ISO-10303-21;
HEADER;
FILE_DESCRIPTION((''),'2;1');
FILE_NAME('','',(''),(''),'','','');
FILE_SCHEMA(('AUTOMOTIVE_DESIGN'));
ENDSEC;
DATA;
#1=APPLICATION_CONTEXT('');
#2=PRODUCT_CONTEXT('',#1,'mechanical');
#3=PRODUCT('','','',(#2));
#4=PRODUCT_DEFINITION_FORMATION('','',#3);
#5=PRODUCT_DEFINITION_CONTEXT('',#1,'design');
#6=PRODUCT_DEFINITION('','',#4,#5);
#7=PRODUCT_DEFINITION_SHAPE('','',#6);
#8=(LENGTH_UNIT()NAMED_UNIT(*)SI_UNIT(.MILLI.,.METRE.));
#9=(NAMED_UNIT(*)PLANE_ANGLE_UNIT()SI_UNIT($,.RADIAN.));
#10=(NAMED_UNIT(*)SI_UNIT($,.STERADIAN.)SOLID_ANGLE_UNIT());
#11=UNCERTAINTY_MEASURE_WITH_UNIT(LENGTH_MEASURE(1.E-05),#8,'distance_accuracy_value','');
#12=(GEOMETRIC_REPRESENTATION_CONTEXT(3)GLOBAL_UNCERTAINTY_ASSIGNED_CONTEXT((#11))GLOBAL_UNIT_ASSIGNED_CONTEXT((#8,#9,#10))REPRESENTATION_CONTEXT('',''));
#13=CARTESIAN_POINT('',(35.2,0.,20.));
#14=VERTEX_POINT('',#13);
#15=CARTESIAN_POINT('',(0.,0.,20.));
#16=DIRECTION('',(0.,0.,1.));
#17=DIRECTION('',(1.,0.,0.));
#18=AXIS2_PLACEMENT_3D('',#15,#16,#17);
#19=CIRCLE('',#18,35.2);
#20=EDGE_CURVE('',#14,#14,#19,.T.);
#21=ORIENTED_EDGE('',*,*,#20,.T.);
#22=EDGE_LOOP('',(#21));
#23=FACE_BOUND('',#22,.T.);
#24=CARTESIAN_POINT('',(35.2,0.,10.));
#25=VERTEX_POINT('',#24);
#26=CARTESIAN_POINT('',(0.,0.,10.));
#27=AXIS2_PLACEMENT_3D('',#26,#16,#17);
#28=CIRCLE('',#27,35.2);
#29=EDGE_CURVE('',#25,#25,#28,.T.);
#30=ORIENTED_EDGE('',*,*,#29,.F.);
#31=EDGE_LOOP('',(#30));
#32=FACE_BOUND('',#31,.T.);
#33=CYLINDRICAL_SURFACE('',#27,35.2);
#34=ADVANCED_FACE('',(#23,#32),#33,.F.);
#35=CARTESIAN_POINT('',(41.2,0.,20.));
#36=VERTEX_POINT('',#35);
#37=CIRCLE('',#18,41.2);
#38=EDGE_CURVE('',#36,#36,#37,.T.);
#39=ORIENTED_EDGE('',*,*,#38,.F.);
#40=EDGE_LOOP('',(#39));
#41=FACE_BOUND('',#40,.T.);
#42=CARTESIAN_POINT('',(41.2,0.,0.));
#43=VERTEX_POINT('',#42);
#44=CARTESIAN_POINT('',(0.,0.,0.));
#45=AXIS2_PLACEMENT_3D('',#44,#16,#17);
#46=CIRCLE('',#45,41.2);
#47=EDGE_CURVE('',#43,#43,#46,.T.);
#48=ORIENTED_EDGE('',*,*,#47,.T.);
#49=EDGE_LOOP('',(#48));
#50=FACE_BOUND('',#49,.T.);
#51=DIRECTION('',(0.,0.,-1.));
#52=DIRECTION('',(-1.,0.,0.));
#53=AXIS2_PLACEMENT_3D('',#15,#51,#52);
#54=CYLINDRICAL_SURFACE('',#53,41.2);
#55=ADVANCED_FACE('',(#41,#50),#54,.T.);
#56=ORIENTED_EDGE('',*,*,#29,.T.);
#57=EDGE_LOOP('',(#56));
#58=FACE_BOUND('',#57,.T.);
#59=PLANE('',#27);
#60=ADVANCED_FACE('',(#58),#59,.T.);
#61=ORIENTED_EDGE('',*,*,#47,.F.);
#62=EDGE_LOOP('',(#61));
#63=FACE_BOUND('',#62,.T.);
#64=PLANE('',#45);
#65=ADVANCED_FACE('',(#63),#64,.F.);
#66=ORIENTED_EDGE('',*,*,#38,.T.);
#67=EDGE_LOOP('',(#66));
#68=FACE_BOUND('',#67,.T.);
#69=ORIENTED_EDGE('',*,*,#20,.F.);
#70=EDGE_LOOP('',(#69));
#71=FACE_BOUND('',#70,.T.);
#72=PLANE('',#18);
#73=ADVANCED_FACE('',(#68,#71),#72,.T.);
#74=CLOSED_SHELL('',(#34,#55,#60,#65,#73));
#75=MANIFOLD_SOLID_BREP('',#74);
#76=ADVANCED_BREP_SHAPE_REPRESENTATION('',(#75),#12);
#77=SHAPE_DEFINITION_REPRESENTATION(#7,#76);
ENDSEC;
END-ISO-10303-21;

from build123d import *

# Parameters (mm, degrees)
SKETCH_1_R          = 41.2
EXTRUDE_1_DEPTH     = 20
SKETCH_2_R          = 35.2
CUT_EXTRUDE_1_DEPTH = 10


with BuildPart() as part:
    # 草图1 → 凸台-拉伸1 (new body)
    with BuildSketch(Plane.XY):
        Circle(SKETCH_1_R)
    extrude(amount=EXTRUDE_1_DEPTH)

    # 草图2 → 切除-拉伸1 (cut)
    with BuildSketch(Plane.XY.offset(20)):
        Circle(SKETCH_2_R)
    extrude(amount=-CUT_EXTRUDE_1_DEPTH, mode=Mode.SUBTRACT)


solid = part.part
